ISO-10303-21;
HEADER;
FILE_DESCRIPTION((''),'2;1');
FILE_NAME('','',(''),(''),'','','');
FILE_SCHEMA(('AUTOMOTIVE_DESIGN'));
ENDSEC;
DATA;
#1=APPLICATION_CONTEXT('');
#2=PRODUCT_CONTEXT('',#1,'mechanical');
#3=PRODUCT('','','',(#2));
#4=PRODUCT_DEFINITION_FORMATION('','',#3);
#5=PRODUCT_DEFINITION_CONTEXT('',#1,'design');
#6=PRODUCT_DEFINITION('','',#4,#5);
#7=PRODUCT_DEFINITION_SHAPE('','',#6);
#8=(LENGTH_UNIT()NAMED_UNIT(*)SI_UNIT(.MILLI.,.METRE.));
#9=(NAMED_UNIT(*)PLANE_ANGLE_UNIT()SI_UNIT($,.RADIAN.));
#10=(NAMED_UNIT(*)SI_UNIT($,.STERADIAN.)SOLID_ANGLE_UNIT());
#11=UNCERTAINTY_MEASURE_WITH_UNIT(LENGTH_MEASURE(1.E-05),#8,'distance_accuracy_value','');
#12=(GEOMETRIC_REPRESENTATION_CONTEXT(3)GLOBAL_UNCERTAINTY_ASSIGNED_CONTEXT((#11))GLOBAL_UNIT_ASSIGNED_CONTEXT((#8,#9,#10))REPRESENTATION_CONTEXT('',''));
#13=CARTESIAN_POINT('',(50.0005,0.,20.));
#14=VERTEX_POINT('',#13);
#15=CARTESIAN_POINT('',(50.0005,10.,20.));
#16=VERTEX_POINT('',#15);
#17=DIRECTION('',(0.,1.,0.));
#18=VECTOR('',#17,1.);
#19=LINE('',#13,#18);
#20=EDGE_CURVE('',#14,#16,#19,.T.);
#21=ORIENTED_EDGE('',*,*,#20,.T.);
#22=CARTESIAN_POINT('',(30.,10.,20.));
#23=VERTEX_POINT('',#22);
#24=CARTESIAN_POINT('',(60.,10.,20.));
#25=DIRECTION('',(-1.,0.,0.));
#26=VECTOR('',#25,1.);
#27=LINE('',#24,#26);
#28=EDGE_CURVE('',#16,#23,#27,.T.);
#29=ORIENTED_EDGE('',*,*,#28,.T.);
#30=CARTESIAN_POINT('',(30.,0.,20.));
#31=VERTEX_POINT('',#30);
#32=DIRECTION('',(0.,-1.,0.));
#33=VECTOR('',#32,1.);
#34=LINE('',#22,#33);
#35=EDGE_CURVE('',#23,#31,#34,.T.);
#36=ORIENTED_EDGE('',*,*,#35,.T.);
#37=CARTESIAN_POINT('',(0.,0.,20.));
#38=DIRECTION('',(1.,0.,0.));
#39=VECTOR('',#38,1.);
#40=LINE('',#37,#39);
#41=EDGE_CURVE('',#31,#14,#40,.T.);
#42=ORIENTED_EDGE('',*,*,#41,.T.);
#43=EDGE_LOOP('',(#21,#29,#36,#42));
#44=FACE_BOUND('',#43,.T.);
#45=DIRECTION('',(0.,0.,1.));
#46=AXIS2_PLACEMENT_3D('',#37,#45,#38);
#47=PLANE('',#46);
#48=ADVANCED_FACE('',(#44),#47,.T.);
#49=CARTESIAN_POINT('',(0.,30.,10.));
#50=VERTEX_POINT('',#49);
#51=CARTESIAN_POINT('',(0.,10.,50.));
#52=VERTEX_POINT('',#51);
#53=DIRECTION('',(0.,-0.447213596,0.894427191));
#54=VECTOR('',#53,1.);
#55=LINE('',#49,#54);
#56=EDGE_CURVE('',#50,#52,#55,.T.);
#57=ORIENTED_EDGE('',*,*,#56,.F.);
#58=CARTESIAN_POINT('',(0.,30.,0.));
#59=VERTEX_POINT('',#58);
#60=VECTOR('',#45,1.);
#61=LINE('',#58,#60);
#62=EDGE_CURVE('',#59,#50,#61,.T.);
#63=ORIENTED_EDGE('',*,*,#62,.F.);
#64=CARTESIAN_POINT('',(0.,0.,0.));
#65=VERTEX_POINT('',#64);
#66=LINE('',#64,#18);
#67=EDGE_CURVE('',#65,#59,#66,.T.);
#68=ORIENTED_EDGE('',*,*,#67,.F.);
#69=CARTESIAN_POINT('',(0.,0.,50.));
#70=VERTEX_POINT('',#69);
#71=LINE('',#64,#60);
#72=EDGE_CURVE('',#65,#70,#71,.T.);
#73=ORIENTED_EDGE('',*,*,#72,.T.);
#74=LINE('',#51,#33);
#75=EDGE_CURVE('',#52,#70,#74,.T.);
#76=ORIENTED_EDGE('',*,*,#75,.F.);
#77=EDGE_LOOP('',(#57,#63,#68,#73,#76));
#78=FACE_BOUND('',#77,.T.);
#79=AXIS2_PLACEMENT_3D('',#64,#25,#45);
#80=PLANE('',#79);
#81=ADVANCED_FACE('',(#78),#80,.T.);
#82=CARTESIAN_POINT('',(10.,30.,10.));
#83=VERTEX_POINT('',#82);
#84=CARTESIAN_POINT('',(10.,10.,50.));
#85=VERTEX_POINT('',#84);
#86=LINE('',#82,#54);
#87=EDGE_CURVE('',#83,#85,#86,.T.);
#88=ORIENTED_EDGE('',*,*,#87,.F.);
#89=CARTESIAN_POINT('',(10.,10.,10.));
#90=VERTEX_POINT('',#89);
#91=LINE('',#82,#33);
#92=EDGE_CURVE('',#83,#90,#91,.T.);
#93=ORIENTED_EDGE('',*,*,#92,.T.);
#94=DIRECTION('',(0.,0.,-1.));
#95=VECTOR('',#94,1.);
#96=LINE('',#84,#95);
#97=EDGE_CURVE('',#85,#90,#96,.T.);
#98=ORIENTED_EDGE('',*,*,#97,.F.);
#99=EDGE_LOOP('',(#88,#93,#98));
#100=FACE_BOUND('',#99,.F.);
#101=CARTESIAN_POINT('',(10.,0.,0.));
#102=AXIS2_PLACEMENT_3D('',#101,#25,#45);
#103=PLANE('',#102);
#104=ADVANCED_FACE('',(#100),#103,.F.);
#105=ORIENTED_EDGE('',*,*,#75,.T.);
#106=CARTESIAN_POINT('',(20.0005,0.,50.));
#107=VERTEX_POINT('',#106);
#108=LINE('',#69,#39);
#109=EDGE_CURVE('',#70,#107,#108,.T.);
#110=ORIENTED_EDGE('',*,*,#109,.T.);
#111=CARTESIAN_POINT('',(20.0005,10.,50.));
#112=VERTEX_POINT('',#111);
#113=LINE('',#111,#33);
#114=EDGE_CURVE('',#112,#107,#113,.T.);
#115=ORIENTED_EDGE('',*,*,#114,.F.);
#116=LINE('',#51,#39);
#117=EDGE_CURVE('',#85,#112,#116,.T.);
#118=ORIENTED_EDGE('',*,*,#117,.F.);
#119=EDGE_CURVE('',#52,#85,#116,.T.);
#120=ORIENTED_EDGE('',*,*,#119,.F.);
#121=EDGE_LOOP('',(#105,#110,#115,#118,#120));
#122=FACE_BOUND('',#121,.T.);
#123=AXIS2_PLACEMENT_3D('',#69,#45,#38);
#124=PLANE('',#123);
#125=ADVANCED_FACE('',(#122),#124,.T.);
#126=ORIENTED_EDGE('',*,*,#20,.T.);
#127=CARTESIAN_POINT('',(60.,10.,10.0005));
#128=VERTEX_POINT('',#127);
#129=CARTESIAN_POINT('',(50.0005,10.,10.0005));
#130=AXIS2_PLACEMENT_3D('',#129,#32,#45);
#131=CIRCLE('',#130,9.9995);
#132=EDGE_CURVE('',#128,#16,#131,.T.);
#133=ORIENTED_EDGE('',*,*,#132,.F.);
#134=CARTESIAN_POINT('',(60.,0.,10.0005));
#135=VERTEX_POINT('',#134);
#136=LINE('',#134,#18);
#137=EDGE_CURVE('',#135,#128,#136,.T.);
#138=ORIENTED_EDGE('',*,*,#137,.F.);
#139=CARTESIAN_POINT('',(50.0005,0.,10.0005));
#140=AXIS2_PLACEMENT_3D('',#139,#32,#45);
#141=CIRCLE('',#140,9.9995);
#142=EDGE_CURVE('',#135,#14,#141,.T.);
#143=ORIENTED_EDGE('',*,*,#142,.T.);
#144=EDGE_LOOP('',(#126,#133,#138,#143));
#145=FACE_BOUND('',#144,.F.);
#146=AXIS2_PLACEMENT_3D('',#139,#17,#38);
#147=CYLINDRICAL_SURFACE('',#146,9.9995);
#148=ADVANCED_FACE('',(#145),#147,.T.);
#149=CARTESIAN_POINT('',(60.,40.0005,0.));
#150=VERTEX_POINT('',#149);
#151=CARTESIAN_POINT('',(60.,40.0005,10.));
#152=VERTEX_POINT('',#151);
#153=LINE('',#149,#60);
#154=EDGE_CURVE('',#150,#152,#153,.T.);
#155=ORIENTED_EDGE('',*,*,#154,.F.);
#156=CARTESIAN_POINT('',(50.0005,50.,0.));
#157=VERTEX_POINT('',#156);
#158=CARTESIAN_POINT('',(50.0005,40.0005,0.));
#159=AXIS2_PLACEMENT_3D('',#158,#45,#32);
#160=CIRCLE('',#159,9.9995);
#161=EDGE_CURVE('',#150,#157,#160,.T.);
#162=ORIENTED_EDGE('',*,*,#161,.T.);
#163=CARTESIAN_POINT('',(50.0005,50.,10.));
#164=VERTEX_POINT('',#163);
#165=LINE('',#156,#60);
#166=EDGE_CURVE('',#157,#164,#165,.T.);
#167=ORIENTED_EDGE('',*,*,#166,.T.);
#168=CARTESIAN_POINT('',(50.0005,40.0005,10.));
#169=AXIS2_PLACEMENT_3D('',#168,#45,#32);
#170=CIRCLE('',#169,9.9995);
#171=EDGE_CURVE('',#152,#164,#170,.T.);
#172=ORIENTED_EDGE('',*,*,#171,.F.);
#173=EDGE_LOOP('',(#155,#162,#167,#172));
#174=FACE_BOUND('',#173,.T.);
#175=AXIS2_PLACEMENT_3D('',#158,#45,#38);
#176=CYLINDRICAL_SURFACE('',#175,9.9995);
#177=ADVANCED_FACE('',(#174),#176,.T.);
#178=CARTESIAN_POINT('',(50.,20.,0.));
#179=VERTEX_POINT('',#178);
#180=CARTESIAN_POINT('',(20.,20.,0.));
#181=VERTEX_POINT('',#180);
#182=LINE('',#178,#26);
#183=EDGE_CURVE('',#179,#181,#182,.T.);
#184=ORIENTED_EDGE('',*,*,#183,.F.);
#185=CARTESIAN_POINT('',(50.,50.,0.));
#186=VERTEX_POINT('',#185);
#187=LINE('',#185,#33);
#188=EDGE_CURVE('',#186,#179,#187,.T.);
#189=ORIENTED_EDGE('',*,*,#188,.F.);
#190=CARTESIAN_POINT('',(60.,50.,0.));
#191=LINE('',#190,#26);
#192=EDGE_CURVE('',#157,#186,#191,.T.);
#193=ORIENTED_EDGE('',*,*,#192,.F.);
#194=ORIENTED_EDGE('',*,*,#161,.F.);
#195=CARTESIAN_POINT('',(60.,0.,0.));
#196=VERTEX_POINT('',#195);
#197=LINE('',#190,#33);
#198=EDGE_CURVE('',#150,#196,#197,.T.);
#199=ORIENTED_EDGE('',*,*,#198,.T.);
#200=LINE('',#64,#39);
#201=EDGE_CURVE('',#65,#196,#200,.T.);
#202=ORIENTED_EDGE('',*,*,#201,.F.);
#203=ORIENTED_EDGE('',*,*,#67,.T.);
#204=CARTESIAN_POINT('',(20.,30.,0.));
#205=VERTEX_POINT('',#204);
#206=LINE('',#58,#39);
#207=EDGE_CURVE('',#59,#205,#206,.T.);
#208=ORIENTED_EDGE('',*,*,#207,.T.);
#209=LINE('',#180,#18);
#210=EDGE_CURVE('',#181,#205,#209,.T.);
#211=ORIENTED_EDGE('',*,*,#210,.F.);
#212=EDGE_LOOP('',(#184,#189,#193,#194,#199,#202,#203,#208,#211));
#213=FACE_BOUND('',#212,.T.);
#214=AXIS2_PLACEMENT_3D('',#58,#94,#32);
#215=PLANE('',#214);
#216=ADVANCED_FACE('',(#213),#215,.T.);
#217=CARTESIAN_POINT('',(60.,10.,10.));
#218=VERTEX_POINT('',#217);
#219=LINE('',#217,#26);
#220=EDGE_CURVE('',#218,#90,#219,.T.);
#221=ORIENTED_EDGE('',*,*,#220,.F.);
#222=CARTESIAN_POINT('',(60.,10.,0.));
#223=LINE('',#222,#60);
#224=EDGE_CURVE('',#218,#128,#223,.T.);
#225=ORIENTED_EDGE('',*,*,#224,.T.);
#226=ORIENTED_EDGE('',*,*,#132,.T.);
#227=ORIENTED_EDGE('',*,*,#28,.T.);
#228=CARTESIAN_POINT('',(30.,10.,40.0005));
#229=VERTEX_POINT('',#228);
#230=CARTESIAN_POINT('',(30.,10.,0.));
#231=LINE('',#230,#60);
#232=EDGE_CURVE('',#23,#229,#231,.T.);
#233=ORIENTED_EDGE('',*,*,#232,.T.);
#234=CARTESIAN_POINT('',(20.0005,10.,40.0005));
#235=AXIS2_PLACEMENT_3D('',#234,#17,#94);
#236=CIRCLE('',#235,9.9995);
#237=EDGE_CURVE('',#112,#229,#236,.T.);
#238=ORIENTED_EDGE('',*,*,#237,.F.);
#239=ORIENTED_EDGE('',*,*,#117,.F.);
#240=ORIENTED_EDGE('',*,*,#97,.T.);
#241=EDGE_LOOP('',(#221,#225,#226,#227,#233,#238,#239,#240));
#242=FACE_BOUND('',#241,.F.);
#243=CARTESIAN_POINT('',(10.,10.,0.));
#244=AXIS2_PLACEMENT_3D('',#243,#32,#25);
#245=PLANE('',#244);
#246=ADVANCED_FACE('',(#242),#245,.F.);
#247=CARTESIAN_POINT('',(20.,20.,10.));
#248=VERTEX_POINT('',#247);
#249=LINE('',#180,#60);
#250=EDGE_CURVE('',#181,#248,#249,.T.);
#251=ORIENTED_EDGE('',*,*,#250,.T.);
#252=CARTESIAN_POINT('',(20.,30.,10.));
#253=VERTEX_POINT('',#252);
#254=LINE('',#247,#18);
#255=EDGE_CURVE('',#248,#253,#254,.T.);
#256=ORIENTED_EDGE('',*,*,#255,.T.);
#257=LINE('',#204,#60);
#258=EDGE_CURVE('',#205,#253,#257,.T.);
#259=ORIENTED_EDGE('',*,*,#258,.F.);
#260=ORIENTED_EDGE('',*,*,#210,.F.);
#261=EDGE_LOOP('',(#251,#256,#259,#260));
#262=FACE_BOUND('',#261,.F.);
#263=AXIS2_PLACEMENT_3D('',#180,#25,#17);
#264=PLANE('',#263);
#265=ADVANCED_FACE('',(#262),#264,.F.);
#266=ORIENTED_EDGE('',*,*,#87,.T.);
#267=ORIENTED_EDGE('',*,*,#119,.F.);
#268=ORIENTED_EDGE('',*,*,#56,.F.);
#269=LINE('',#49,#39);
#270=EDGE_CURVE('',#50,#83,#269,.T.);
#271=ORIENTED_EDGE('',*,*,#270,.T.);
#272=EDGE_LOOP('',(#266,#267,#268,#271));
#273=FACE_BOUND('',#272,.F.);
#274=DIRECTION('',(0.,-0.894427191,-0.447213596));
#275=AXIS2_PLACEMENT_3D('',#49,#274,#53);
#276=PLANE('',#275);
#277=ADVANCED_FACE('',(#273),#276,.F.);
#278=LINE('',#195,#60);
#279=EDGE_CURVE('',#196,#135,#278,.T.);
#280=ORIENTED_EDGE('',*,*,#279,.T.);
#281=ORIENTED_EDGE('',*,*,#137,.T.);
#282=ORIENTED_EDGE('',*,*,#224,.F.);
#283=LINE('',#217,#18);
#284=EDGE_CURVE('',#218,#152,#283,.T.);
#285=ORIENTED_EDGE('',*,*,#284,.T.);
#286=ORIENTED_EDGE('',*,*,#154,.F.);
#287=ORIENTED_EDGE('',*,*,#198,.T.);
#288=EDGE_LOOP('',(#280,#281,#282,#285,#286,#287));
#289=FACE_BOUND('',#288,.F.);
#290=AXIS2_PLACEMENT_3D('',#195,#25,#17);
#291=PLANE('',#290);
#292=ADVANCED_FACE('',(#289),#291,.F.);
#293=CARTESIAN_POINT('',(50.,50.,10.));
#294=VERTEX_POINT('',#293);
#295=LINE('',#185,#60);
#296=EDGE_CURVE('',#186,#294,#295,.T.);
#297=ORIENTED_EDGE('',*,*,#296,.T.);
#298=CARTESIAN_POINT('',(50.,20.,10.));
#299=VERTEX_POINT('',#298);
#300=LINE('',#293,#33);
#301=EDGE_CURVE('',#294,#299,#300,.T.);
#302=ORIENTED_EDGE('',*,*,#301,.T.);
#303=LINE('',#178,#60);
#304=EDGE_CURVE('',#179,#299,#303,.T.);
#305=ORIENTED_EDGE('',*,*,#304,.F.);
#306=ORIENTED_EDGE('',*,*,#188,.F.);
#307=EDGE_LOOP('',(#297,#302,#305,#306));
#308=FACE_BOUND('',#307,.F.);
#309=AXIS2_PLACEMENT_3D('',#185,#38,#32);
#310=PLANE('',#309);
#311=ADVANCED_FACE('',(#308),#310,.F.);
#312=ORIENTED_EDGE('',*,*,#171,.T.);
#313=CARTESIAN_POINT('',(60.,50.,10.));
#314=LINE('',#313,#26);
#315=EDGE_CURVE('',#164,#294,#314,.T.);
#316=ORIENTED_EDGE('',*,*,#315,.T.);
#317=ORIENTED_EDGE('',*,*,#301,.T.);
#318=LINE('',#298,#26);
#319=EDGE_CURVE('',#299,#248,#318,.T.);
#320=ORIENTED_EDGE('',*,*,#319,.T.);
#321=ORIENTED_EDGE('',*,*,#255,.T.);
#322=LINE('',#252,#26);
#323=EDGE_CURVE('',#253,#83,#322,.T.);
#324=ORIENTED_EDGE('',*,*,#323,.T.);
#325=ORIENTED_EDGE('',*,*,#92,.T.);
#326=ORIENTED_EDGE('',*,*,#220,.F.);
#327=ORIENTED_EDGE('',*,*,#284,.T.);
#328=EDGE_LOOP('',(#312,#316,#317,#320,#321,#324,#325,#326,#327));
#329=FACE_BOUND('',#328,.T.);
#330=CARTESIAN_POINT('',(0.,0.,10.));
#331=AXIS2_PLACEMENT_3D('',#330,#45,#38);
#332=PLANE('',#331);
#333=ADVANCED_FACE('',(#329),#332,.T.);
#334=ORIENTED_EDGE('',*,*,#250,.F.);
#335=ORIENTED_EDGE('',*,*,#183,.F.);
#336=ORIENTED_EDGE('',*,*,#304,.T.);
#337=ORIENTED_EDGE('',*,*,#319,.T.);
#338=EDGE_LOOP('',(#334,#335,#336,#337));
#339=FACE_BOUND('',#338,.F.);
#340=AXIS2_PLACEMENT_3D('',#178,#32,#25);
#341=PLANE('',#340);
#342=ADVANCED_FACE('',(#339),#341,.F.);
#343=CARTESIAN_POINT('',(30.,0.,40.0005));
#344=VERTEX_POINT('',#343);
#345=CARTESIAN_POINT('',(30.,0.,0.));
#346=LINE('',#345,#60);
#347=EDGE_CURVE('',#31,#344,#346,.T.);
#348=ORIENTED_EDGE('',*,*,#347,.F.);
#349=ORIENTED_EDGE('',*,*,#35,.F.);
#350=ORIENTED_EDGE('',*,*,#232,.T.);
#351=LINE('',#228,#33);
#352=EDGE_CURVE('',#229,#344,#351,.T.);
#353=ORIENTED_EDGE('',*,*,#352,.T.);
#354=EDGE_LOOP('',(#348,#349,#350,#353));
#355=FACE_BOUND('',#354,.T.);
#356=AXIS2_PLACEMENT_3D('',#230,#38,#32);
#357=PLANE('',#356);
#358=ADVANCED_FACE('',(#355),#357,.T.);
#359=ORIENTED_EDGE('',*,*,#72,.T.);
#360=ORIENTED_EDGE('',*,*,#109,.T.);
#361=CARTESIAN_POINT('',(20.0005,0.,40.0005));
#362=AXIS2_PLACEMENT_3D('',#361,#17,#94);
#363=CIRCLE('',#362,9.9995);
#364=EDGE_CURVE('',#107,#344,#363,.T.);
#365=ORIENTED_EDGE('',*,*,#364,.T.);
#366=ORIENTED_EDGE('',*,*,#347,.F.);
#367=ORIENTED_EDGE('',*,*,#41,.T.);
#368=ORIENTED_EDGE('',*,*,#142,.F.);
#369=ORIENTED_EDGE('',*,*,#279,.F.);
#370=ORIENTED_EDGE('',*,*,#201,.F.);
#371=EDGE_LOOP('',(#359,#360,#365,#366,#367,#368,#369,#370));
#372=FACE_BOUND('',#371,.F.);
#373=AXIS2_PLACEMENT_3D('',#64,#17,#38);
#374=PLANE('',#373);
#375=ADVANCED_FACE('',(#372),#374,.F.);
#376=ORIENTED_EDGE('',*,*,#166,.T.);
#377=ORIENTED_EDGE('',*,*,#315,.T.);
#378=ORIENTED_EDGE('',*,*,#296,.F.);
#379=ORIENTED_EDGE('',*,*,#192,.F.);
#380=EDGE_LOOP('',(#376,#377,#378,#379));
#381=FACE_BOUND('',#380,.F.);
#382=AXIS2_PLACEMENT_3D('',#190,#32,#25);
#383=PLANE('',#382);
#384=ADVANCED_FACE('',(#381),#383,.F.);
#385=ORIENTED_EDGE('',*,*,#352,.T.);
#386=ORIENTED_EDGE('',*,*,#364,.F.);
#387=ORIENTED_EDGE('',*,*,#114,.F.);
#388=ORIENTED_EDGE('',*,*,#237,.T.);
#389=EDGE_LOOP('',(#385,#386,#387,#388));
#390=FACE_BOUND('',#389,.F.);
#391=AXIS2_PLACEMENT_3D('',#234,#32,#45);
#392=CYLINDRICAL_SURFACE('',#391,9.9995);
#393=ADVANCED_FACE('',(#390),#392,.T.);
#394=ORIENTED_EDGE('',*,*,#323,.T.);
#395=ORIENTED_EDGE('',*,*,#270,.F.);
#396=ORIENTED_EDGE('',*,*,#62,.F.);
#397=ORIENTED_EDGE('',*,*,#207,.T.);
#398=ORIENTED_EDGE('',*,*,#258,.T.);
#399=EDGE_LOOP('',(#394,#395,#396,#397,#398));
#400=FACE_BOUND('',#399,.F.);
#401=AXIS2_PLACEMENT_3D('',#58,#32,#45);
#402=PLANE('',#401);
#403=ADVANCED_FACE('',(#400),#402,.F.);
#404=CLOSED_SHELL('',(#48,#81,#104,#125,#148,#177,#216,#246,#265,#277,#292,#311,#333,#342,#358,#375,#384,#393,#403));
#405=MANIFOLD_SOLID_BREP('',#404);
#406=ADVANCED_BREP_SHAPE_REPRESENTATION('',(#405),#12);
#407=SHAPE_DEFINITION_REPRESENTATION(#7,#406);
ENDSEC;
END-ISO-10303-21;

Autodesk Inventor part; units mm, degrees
ref_plane "YZ Plane" through (0, 0, 0) normal (1, 0, 0) x (0, 1, 0)
ref_plane "XZ Plane" through (0, 0, 0) normal (0, 1, 0) x (-1, 0, 0)
ref_plane "XY Plane" through (0, 0, 0) normal (0, 0, 1) x (1, 0, 0)
sketch "草圖1" plane through (0, 0, 0) normal (0, 0, 1) x (1, 0, 0)
  line L0 (0, 0) -> (60, 0)
  line L1 (60, 0) -> (60, 10)
  line L2 (60, 10) -> (0, 10)
  line L3 (0, 10) -> (0, 0)
  line L4 (60, 10) -> (60, 50)
  line L5 (60, 50) -> (50, 50)
  line L6 (50, 50) -> (50, 20)
  line L7 (50, 20) -> (20, 20)
  line L8 (20, 20) -> (20, 30)
  line L9 (20, 30) -> (10, 30)
  line L10 (10, 30) -> (10, 10)
  line L11 (30, 10) -> (30, 0)
  dimension "d0" = 60
  dimension "d1" = 10
  dimension "d2" = 40
  dimension "d3" = 10
  dimension "d4" = 30
  dimension "d5" = 30
  dimension "d6" = 10
  dimension "d7" = 10
extrude "擠出1" add sketch "草圖1" along normal blind 20 contours L11 L2 L1 L0
extrude "擠出2" add sketch "草圖1" along normal blind 10 contours L2 L10 L9 L8 L7 L6 L5 L4
extrude "擠出3" add sketch "草圖1" along normal blind 50 contours L3 L2 L11 L0
fillet "圓角1" radius 10 3 edges at (30, 5, 50) (60, 5, 20) (60, 50, 5)
sketch "草圖2" plane through (0, 0, 0) normal (-1, 0, 0) x (0, 0, 1)
  line L0 (0, 10) -> (10, 10) projected
  line L1 (0, 30) -> (0, 10) projected
  line L2 (0, 10) -> (0, 30)
  line L3 (10, 20) -> (10, 30) projected
  line L4 (0, 30) -> (10, 30)
  line L5 (10, 30) -> (50, 10)
  line L6 (50, 10) -> (0, 10)
  point P0 (0, 0)
  dimension "d15" = 20
extrude "擠出4" add sketch "草圖2" against normal blind 10
